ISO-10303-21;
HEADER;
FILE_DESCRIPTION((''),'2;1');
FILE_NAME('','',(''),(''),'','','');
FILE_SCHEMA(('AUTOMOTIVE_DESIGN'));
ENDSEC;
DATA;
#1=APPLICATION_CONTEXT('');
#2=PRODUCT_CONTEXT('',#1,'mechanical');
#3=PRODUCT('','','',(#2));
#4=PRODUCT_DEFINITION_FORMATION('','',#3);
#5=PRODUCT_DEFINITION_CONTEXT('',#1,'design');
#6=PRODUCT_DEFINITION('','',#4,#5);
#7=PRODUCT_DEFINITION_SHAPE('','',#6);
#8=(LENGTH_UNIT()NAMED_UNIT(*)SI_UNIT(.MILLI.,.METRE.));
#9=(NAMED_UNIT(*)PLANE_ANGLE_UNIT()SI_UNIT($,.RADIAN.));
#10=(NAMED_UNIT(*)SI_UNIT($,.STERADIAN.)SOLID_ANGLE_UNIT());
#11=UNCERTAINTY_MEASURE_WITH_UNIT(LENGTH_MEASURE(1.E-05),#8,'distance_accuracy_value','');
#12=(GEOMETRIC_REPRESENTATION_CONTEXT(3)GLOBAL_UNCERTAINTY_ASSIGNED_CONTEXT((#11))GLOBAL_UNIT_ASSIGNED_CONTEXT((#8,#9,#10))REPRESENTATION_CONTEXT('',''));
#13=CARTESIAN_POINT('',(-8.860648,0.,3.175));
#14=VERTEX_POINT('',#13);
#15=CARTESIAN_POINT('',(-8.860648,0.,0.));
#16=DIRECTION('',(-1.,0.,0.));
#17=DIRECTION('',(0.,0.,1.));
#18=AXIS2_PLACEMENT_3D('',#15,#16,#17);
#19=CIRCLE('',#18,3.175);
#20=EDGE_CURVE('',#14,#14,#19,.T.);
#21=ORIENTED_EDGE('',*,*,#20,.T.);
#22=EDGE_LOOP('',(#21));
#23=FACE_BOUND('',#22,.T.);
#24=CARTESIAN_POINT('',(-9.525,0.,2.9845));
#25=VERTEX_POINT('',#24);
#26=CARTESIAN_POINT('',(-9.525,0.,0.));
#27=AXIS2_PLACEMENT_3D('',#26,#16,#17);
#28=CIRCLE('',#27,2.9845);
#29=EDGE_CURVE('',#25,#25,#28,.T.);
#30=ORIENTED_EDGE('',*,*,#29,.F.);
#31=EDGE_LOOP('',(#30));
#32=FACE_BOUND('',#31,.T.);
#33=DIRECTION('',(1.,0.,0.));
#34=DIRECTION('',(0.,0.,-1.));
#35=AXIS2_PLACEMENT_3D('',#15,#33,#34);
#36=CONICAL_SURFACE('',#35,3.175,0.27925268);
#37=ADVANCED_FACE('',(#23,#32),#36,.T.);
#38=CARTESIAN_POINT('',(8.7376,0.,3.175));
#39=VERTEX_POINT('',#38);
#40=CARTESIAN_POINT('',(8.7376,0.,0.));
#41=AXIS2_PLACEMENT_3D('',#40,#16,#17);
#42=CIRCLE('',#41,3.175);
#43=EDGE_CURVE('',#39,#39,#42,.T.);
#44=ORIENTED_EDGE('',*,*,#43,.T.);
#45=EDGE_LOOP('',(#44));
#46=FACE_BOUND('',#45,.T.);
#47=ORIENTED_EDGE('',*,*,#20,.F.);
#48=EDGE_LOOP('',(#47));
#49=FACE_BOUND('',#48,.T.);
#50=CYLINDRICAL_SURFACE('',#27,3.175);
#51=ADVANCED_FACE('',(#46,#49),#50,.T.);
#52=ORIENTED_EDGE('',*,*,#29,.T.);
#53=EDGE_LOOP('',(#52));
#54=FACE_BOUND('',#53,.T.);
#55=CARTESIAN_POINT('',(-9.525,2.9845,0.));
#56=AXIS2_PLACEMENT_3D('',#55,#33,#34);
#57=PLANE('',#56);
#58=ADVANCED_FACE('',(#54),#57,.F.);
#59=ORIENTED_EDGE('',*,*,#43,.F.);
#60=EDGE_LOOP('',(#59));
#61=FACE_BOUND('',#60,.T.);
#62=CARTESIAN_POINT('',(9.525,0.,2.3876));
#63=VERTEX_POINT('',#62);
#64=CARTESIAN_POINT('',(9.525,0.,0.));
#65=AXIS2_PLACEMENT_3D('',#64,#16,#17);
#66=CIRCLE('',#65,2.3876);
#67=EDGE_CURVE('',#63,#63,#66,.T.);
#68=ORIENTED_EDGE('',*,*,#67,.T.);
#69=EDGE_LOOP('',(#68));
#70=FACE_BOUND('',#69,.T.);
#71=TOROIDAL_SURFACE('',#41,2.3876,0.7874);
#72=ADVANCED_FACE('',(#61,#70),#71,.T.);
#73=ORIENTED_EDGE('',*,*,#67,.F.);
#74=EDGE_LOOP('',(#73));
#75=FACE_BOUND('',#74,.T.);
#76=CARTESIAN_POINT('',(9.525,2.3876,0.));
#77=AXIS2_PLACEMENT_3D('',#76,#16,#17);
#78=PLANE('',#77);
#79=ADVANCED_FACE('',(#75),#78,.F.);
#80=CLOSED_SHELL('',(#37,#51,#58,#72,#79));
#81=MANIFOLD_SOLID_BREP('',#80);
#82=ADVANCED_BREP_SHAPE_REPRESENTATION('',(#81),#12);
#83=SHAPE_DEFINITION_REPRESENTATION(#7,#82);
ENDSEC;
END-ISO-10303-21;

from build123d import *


with BuildPart() as part:
    # Sketch3 → Revolve1 (revolve)
    with BuildSketch(Plane.XY, mode=Mode.PRIVATE) as revolve1_sk:
        with BuildLine():
            Line((9.525, 2.3876), (9.525, 0))
            Line((9.525, 0), (-9.525, 0))
            Line((-9.525, 0), (-9.525, 2.9845))
            Line((-9.525, 2.9845), (-8.860647548, 3.175))
            Line((-8.860647548, 3.175), (8.7376, 3.175))
            ThreePointArc((8.7376, 3.175), (9.29437588, 2.94437588), (9.525, 2.3876))
        make_face()
    revolve(revolve1_sk.sketch.rotate(Axis((-9.525, 0, 0), (1, 0, 0)), 90), axis=Axis((-9.525, 0, 0), (1, 0, 0)))


solid = part.part
